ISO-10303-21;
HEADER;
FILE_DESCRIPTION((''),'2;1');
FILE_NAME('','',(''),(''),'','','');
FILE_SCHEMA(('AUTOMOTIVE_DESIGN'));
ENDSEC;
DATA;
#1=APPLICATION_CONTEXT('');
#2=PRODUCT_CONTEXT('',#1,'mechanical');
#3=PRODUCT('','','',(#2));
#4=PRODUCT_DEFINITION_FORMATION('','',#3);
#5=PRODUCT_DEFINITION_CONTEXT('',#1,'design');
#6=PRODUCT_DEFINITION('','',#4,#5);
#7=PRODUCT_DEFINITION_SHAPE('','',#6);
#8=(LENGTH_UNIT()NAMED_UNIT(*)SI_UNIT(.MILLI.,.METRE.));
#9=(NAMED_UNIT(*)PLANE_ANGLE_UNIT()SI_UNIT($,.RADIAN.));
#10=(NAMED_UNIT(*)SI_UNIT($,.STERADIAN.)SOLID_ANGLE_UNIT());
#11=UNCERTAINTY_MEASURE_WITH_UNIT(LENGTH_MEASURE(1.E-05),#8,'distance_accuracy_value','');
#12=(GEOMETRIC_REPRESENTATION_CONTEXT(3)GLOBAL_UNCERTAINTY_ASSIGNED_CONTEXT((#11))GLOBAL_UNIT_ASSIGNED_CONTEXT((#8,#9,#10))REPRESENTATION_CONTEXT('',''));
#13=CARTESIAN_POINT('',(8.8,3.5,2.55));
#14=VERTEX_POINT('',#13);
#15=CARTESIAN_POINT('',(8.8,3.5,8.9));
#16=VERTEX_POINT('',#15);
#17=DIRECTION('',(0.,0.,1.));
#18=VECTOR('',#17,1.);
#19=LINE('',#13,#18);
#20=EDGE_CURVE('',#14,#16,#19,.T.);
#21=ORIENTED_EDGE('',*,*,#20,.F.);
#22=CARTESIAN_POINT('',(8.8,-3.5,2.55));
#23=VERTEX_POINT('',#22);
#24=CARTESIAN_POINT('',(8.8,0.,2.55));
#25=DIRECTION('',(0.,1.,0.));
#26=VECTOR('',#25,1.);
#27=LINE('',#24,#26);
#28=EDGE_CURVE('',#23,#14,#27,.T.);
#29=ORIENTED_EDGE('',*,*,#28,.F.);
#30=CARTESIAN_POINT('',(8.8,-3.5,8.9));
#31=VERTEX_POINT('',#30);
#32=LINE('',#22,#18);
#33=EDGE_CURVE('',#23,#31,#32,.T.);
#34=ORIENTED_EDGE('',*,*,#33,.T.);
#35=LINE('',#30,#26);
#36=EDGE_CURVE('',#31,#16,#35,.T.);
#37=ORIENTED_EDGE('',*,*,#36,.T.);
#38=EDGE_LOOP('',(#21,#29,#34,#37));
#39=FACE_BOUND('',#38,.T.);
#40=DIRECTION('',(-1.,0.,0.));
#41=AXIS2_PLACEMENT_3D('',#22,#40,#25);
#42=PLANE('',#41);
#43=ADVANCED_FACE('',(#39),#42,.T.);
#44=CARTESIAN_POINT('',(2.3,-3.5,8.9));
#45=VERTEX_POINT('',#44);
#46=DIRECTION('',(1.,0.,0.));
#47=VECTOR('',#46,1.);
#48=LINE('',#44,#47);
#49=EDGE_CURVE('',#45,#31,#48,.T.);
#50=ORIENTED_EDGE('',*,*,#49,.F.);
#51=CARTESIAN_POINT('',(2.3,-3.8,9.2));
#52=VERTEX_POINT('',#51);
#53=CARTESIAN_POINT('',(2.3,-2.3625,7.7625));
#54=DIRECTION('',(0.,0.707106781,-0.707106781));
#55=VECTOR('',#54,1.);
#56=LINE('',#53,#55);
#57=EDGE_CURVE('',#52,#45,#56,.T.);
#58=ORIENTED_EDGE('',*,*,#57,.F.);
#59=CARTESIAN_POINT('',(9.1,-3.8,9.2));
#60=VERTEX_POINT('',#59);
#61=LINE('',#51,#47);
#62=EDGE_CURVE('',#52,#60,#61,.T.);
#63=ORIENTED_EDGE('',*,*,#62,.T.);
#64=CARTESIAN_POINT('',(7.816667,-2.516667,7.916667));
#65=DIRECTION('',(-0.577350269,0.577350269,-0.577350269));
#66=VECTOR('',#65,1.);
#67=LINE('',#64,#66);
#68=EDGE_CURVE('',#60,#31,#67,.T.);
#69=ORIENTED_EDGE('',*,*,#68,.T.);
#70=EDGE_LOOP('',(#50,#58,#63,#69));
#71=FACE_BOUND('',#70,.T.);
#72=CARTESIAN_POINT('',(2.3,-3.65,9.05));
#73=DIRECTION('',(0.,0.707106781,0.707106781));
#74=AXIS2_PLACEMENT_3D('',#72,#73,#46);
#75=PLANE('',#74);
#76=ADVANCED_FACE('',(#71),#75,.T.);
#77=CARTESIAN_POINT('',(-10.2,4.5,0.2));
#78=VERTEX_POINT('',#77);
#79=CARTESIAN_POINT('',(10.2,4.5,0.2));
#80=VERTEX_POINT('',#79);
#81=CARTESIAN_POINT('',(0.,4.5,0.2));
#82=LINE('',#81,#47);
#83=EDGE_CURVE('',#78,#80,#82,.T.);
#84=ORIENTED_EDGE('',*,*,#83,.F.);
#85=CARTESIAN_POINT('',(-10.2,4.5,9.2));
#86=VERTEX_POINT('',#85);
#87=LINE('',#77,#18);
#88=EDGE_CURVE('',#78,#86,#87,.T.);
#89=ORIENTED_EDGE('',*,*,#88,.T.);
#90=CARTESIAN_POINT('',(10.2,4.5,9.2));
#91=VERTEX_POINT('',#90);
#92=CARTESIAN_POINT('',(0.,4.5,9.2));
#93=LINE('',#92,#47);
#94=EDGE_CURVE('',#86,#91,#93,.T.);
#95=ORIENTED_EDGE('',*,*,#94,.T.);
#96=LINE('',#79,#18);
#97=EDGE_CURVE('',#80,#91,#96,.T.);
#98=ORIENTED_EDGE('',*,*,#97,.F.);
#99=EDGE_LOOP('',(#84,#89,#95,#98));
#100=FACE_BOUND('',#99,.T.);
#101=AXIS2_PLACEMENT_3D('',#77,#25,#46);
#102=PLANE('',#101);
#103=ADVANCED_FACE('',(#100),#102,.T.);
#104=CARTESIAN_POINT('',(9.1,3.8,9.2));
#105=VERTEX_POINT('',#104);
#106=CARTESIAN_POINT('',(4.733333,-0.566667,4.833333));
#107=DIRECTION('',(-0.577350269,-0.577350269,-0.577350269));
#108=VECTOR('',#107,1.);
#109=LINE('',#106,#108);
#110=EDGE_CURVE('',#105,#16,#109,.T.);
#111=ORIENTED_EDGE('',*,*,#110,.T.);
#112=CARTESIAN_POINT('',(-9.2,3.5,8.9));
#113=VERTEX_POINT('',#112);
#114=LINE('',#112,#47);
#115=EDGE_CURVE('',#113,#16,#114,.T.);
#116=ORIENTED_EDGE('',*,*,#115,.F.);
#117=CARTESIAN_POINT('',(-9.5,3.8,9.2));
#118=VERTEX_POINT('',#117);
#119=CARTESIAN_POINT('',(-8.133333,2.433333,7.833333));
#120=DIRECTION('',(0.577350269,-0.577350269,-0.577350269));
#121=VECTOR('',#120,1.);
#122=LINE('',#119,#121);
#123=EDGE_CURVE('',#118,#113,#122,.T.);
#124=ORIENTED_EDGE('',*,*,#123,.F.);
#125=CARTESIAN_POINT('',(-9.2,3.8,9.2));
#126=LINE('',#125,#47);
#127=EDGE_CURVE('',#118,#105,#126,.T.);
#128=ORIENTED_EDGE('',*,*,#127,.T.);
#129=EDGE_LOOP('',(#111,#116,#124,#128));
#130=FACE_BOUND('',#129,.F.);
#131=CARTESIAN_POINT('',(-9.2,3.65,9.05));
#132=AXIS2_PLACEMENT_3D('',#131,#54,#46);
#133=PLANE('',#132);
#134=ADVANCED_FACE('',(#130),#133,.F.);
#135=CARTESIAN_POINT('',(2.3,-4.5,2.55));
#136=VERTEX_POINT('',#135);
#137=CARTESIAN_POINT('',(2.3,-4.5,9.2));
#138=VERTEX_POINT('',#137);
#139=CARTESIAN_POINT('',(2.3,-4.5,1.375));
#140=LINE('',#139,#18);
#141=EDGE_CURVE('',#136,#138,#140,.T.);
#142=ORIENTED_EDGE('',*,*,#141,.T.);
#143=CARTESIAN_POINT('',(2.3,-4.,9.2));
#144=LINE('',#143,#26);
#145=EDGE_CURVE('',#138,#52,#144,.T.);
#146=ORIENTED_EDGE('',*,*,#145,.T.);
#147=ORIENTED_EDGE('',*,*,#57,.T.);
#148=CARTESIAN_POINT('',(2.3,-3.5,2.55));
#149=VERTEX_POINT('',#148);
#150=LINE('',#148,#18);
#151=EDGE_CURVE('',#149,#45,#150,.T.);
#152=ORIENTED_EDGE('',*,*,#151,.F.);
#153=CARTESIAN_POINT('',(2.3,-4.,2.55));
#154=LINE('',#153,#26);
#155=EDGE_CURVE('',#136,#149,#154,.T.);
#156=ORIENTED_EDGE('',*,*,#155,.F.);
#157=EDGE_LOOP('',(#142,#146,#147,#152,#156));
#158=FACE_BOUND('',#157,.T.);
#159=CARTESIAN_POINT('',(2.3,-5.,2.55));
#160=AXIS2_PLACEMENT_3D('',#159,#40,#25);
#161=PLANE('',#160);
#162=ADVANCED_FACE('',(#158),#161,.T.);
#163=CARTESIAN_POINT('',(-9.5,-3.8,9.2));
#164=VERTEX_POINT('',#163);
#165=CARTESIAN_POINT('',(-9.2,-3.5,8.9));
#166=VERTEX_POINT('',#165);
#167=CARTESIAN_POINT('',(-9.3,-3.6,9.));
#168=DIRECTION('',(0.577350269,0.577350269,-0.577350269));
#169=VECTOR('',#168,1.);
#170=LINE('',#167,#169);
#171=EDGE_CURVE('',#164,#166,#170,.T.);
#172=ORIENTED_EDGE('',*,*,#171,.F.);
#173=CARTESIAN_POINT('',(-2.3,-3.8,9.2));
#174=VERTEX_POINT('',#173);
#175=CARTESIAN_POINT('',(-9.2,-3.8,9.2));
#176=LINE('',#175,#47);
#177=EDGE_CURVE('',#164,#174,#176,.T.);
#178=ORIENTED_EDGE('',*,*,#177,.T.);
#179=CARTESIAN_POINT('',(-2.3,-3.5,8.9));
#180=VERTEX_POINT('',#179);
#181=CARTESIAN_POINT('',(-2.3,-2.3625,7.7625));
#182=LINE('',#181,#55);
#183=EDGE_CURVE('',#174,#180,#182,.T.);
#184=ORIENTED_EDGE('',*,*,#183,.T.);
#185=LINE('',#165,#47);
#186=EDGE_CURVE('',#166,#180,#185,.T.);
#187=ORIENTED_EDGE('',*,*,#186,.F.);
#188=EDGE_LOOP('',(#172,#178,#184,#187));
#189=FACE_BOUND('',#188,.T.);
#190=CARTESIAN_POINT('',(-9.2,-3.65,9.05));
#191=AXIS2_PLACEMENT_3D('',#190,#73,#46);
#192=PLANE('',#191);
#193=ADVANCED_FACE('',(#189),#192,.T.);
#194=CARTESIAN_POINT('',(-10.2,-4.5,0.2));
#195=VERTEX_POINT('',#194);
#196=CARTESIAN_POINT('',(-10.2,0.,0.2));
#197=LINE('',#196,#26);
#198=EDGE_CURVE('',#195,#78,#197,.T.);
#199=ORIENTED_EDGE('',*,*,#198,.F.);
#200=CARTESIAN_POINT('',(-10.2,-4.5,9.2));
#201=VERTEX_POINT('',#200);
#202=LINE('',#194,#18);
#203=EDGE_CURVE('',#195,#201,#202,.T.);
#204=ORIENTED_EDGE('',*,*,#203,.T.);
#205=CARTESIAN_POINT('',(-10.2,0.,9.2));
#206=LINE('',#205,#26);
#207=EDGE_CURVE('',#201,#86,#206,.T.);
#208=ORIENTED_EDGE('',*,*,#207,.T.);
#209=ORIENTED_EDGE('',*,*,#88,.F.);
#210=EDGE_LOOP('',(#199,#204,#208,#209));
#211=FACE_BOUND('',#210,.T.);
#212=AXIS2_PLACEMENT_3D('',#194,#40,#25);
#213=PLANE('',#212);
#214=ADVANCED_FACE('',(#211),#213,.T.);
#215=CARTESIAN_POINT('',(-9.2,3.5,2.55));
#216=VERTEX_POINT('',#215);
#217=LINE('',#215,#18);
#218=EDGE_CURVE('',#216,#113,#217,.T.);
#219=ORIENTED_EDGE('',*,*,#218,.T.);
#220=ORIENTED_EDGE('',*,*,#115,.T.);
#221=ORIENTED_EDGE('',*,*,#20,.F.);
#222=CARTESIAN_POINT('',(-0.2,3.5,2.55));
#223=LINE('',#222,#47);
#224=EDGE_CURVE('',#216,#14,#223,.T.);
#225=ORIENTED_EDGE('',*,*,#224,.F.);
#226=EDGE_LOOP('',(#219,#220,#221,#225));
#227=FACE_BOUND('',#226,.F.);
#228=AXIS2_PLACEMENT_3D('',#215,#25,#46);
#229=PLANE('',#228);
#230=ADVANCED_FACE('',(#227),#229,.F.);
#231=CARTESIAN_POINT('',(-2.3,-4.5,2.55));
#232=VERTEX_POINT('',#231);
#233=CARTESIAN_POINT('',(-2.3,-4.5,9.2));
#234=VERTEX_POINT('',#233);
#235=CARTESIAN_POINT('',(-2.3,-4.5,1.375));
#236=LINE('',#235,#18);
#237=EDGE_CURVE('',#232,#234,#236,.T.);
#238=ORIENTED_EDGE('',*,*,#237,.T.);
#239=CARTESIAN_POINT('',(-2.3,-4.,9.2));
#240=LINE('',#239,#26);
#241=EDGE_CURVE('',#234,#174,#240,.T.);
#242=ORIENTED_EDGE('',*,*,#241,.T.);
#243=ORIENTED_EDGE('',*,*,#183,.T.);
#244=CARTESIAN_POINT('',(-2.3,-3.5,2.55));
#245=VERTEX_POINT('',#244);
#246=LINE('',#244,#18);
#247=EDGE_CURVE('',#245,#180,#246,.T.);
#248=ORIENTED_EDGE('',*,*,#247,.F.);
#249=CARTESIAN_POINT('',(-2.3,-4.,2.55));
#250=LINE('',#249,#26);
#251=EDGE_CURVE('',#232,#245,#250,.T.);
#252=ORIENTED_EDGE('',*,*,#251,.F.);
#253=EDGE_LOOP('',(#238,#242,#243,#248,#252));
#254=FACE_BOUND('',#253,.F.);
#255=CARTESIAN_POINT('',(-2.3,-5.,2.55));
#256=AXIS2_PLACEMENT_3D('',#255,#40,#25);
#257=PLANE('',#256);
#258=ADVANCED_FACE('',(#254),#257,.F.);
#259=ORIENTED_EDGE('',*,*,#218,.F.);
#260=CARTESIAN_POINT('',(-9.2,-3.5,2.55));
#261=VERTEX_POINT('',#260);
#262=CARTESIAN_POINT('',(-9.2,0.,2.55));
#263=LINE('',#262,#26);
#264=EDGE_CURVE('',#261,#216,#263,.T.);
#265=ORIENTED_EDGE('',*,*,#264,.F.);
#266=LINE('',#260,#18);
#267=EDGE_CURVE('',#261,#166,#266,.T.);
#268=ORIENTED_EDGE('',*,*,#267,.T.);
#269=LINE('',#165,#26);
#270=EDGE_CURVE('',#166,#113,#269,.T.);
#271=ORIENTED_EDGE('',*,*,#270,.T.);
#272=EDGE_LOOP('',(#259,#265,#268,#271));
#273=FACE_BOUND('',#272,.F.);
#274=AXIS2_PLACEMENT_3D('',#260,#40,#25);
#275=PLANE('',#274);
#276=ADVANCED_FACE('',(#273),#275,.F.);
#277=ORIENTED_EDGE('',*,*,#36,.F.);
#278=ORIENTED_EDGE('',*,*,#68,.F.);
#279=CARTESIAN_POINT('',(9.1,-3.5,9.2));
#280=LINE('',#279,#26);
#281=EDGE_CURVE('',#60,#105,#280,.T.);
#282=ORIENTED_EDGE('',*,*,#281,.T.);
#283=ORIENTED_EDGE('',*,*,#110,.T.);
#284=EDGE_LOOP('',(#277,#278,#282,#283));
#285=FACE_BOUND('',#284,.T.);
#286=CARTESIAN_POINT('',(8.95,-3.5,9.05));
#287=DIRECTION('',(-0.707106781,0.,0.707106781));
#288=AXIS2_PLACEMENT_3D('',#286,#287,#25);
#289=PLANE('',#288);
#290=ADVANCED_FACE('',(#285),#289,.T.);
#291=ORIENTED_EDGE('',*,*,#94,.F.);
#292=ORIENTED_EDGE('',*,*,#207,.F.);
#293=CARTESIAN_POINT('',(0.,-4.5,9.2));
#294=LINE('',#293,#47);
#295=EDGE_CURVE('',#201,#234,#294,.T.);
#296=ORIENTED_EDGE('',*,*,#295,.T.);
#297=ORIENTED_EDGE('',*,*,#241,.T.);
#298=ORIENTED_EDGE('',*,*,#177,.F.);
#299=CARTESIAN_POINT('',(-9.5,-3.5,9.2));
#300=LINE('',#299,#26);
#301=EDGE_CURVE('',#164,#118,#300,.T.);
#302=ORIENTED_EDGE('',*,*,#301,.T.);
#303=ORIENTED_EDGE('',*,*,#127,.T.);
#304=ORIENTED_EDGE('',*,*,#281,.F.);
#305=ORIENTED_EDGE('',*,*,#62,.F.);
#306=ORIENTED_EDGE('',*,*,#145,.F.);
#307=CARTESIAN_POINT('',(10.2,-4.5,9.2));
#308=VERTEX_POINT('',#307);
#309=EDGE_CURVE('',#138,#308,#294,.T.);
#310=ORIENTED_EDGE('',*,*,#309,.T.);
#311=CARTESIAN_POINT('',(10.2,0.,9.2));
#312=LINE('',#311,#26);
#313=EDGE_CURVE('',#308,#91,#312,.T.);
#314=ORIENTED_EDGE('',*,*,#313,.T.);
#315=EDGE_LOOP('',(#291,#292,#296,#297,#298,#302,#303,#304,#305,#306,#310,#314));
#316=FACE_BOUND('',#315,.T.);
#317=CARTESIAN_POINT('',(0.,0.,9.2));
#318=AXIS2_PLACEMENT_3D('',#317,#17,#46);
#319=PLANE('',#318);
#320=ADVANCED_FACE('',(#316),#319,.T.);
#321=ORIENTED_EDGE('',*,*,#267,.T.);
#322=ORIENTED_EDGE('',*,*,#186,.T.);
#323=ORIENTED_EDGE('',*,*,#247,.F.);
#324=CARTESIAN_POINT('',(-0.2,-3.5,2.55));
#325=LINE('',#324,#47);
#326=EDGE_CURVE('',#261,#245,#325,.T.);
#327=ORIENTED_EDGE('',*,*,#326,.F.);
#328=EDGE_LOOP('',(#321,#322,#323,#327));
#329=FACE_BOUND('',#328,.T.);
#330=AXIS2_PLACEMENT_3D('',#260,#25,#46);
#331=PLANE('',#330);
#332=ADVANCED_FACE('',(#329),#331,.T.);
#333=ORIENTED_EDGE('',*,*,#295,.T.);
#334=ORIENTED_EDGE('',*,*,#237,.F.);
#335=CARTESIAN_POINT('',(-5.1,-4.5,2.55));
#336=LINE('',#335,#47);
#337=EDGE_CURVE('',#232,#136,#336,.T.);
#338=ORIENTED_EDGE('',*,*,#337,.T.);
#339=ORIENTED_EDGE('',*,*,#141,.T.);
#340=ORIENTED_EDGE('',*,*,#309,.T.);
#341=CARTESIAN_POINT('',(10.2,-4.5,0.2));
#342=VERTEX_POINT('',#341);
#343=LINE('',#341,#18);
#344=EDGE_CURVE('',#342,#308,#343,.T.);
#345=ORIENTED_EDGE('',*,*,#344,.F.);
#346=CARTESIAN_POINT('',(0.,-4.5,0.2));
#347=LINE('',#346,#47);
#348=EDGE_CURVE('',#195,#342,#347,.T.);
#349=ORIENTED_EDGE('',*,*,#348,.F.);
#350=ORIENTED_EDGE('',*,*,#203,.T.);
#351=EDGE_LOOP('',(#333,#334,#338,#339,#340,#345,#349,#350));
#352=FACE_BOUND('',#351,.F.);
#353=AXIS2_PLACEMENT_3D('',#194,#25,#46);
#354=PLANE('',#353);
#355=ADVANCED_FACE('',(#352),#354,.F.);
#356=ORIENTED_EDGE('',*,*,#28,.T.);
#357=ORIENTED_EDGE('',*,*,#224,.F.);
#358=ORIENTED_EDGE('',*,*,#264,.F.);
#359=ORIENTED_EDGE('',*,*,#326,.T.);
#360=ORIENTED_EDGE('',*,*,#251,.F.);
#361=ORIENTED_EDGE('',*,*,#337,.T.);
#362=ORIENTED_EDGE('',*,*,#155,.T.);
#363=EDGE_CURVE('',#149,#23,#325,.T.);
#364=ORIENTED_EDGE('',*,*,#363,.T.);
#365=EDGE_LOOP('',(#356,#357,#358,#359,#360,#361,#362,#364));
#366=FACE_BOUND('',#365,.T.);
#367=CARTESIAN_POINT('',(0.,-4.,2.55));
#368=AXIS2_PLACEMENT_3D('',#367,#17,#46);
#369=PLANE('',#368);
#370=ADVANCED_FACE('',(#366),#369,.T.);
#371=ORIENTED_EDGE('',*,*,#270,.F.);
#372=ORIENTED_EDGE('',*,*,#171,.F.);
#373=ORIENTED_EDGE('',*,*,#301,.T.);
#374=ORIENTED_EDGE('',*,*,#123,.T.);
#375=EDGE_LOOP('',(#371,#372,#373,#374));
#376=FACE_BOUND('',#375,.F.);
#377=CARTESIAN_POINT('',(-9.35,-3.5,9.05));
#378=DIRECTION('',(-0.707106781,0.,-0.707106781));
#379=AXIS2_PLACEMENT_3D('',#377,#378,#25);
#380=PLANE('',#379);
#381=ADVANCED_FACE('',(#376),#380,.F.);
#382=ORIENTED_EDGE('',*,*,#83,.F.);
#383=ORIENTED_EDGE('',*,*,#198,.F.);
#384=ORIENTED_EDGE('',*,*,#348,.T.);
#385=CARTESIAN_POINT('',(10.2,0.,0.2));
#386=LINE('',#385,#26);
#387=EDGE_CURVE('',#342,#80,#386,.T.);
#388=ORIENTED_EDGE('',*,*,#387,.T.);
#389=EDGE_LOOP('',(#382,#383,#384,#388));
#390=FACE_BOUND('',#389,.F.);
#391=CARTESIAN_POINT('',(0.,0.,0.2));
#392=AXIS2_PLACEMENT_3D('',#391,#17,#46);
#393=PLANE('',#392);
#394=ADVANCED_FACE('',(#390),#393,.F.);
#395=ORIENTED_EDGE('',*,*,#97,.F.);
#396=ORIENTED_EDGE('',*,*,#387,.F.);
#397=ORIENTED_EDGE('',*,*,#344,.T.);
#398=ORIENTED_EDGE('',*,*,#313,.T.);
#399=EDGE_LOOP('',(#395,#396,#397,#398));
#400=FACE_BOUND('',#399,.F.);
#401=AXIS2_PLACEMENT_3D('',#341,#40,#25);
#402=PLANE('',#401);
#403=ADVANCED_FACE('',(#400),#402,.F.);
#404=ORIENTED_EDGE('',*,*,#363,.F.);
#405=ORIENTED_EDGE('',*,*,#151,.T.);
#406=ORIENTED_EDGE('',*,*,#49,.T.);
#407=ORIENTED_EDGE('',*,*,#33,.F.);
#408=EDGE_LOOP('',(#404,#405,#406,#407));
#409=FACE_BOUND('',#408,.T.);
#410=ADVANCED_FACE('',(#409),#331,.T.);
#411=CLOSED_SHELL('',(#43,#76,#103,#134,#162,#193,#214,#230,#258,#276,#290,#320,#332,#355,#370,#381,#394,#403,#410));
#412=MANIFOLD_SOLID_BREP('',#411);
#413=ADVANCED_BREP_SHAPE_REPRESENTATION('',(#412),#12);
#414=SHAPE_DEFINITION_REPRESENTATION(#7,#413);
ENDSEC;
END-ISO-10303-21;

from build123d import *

# Parameters (mm, degrees)
BOX004_W        = 4.6
BOX004_H        = 2
BOX004_DEPTH    = 6.65
BOX003_W        = 18
BOX003_H        = 7
BOX003_DEPTH    = 6.65
BOX002_W        = 20.4
BOX002_H        = 9
BOX002_DEPTH    = 9
CHAMFER001_SIZE = 0.3


with BuildPart() as cube004:
    # Box004 → Box004 (new body)
    with BuildSketch(Plane(origin=(-2.3, -5, 2.55), x_dir=(1, 0, 0), z_dir=(0, 0, 1))):
        with Locations((2.3, 1)):
            Rectangle(BOX004_W, BOX004_H)
    extrude(amount=BOX004_DEPTH)


with BuildPart() as cube003:
    # Box003 → Box003 (new body)
    with BuildSketch(Plane(origin=(-9.2, -3.5, 2.55), x_dir=(1, 0, 0), z_dir=(0, 0, 1))):
        with Locations((9, 3.5)):
            Rectangle(BOX003_W, BOX003_H)
    extrude(amount=BOX003_DEPTH)


with BuildPart() as chamfer001:
    # Box002 → Box002 (new body)
    with BuildSketch(Plane(origin=(-10.2, -4.5, 0.2), x_dir=(1, 0, 0), z_dir=(0, 0, 1))):
        with Locations((10.2, 4.5)):
            Rectangle(BOX002_W, BOX002_H)
    extrude(amount=BOX002_DEPTH)

    # Cut: cut Cube003
    add(cube003.part, mode=Mode.SUBTRACT)

    # Cut001: cut Cube004
    add(cube004.part, mode=Mode.SUBTRACT)

    # Chamfer001
    chamfer001_edges = [chamfer001.edges().sort_by_distance(p)[0] for p in [
        (5.55, -3.5, 9.2),
        (8.8, 0, 9.2),
        (-0.2, 3.5, 9.2),
        (-9.2, 0, 9.2),
        (-5.75, -3.5, 9.2),
    ]]
    chamfer(chamfer001_edges, length=CHAMFER001_SIZE)


solid = chamfer001.part
